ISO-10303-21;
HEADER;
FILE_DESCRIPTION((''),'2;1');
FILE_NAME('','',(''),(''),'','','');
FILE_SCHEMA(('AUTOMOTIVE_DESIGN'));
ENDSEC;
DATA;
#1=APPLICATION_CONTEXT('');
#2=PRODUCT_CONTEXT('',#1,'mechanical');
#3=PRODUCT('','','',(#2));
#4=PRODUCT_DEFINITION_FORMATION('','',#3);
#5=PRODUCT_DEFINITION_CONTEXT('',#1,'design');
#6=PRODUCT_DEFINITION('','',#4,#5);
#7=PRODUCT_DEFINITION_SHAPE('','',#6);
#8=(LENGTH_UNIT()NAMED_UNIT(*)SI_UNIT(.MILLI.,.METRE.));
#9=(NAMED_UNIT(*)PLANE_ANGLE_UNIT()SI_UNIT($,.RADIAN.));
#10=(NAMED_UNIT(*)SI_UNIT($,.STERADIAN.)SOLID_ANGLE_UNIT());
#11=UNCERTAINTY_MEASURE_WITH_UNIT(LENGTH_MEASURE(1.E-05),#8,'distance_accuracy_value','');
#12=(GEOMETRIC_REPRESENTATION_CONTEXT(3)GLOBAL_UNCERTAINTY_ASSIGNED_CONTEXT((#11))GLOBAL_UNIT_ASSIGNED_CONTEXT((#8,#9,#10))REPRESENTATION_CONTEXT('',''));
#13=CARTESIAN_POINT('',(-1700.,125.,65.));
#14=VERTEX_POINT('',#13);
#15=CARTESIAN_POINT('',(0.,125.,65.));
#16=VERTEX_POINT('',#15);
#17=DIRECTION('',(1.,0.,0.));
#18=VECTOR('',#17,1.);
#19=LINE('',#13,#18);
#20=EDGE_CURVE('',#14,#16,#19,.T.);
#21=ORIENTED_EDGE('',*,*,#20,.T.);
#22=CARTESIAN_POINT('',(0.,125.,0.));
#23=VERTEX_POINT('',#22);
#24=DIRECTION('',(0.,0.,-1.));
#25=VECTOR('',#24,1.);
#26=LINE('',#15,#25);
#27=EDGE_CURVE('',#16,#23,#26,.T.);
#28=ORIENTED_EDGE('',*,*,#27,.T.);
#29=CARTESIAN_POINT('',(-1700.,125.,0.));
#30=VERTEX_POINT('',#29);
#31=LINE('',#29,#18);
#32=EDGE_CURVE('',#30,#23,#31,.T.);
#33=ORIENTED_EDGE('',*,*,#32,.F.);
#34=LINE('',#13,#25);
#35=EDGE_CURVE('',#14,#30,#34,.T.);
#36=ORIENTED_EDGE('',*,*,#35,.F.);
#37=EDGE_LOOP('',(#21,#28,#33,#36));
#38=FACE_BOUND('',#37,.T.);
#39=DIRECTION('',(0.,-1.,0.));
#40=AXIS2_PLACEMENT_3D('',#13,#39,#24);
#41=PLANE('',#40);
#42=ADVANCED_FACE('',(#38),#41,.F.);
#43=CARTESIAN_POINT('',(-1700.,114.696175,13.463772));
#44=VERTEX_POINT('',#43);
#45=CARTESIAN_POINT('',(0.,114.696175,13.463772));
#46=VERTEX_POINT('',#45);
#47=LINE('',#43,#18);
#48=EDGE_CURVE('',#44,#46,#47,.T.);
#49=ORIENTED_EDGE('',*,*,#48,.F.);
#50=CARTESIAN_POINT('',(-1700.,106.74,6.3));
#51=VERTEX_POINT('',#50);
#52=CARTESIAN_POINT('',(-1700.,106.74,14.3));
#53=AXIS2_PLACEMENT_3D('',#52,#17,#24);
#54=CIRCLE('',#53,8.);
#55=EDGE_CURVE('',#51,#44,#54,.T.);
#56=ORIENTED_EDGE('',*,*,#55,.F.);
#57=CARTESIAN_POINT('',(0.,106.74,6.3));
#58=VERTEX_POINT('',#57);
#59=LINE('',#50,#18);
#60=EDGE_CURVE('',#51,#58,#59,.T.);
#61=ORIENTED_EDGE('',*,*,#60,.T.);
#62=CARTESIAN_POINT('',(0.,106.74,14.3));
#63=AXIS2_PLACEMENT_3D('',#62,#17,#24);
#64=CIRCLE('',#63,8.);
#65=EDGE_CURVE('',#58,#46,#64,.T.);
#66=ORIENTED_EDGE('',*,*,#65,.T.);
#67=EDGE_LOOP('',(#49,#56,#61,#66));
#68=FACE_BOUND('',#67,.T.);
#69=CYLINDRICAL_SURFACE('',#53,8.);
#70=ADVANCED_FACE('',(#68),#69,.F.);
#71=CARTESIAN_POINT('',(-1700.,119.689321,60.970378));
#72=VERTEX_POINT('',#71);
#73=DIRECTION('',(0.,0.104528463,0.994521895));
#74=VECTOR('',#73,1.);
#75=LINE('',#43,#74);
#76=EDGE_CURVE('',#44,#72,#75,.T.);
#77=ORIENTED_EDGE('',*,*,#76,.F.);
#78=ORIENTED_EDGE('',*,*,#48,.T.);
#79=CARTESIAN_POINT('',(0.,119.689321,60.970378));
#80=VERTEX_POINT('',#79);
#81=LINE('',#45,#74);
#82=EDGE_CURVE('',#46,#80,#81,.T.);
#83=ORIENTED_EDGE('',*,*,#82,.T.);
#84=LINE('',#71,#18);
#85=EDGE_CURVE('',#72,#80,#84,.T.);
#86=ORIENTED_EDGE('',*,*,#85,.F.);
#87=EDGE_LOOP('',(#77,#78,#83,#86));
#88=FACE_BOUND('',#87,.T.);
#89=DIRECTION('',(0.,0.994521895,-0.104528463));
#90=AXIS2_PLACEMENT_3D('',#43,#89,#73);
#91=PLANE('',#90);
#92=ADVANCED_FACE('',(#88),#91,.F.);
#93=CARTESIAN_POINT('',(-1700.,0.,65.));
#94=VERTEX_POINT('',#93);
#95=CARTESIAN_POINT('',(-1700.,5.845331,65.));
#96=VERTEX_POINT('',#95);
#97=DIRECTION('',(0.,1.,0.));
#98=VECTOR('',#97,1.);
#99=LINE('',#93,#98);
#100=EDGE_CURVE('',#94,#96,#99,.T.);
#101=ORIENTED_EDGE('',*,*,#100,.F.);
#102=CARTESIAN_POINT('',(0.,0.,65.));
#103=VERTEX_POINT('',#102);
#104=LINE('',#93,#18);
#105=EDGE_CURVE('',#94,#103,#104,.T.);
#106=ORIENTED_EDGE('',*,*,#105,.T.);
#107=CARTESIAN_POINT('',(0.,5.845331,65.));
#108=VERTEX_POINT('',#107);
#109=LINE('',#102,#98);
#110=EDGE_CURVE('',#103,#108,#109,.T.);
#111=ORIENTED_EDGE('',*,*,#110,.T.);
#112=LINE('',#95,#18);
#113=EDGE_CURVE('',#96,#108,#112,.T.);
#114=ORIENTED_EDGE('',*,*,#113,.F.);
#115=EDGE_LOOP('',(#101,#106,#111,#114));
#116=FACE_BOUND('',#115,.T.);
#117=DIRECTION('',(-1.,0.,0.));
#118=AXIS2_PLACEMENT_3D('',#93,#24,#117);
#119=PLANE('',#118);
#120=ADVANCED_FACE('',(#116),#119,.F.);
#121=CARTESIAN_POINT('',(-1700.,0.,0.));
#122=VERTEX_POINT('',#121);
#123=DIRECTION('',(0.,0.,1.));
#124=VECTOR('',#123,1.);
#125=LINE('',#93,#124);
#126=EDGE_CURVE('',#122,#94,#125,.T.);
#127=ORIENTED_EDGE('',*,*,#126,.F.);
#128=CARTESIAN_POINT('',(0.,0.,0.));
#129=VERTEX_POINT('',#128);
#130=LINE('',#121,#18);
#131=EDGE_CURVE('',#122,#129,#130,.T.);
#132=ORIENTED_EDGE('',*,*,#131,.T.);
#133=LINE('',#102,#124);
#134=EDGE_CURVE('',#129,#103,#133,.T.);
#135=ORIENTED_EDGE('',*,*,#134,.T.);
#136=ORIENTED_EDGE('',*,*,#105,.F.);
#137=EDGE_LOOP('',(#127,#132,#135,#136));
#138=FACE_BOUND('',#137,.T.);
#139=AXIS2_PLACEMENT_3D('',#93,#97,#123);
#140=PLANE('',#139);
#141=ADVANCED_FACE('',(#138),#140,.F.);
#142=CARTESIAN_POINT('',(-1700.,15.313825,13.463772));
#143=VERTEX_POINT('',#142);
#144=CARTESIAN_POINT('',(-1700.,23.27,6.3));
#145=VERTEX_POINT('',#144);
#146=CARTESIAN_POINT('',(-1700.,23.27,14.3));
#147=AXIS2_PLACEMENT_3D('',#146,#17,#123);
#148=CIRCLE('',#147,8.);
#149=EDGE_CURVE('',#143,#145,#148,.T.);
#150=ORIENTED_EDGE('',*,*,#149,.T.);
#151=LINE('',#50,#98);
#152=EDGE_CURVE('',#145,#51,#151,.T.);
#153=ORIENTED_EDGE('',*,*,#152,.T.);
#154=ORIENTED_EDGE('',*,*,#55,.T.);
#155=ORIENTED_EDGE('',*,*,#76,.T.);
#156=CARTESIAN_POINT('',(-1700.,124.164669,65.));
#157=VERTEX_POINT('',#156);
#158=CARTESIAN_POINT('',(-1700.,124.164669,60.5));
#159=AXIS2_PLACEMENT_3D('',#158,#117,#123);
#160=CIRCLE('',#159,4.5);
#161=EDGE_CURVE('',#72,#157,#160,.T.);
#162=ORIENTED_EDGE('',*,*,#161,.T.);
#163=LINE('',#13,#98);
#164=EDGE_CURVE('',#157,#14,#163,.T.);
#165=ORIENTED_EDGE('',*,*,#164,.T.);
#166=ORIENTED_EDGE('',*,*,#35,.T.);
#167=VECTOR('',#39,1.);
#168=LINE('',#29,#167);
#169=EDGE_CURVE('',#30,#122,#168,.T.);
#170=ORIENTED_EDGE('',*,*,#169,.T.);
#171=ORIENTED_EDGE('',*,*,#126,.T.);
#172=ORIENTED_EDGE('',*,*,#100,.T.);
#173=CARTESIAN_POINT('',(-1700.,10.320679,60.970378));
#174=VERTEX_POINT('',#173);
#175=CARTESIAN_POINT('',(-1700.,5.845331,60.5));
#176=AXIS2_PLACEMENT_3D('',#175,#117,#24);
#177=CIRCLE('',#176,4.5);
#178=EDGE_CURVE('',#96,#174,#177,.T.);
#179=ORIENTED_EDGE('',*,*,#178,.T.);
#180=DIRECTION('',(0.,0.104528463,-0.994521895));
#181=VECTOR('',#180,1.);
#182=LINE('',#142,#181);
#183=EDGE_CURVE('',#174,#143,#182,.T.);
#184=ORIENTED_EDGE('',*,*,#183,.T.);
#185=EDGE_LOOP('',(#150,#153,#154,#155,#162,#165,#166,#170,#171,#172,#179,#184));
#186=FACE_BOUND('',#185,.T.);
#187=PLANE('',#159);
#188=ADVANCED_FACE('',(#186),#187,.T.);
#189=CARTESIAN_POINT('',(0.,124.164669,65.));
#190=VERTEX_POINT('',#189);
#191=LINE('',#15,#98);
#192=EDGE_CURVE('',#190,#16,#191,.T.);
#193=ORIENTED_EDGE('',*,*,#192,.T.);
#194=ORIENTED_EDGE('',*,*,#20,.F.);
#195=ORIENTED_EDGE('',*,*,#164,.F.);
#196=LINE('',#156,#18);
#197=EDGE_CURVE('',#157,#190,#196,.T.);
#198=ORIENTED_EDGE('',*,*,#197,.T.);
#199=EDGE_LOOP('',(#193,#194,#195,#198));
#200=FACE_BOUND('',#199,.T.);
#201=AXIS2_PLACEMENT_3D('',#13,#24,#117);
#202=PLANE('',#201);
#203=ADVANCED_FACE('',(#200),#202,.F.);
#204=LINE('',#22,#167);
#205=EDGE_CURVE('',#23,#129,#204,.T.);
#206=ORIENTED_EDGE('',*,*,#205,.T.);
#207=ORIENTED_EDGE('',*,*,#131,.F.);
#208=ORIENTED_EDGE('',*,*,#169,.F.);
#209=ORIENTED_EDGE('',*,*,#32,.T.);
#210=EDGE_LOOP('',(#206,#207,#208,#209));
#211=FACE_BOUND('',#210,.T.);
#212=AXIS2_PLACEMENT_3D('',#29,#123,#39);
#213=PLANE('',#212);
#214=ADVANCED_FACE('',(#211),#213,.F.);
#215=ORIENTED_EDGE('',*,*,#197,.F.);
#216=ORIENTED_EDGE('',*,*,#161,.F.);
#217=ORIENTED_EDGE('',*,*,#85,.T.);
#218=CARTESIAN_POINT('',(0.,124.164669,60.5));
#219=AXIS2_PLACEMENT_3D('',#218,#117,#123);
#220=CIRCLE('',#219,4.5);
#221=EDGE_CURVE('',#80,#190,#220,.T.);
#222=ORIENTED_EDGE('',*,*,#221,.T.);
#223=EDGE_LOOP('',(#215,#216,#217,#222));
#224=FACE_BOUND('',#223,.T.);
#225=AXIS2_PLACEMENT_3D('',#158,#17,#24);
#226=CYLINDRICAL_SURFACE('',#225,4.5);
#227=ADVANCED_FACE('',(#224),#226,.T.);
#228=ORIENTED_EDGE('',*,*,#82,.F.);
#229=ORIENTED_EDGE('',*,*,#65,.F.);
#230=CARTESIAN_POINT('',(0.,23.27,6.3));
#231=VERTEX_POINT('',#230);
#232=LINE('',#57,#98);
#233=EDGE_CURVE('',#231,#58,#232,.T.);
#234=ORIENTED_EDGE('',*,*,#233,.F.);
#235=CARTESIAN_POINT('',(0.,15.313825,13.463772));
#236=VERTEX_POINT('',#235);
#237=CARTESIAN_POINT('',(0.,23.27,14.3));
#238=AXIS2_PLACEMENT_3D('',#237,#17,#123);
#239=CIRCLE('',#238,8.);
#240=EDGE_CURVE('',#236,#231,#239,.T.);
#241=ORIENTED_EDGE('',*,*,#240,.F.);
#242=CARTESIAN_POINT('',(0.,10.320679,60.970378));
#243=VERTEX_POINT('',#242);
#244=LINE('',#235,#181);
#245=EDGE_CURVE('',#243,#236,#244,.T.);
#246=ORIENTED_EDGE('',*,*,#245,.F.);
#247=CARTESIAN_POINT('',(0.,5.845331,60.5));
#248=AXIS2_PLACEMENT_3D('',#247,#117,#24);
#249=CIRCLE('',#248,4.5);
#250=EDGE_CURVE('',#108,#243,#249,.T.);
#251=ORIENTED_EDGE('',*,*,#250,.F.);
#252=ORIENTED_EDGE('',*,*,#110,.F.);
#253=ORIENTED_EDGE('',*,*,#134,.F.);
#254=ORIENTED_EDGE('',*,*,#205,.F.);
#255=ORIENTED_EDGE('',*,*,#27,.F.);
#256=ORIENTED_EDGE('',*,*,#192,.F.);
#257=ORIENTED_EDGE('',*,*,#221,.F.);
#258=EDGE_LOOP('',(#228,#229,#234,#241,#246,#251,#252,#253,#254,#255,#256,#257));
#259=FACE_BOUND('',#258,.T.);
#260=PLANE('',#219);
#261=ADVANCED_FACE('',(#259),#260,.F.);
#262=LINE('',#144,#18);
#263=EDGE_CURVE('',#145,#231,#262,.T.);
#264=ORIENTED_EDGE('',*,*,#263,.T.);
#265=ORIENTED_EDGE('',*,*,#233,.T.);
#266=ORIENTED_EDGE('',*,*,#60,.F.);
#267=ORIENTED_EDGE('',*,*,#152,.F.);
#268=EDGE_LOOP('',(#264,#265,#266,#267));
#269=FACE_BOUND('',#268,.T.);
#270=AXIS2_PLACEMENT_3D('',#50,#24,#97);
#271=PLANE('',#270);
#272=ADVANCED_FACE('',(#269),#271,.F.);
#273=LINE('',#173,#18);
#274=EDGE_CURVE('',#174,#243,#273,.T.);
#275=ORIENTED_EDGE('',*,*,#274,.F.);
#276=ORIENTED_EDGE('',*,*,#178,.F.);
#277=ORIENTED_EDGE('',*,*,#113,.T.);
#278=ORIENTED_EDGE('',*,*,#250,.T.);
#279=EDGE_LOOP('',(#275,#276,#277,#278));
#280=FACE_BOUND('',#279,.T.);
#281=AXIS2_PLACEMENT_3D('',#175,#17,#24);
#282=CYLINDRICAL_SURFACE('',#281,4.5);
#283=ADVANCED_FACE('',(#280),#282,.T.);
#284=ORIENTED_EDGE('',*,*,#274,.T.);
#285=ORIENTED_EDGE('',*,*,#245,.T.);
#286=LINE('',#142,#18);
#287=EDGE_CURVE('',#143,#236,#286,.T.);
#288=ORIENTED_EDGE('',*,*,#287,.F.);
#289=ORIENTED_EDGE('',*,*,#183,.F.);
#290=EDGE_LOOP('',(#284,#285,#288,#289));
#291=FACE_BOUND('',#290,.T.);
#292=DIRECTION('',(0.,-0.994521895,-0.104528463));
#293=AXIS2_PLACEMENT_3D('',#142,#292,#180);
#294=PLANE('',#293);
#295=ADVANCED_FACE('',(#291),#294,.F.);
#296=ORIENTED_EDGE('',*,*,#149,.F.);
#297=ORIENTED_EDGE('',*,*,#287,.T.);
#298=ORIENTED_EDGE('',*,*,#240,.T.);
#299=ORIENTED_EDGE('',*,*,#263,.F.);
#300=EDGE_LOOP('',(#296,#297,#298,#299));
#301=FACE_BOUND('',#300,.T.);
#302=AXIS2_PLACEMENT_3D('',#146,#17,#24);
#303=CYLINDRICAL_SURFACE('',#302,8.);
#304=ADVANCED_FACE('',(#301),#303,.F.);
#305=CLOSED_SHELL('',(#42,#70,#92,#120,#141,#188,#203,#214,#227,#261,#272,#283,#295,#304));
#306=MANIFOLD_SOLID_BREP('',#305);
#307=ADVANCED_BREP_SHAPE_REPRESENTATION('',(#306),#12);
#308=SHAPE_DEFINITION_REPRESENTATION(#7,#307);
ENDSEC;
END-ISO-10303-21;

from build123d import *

# Parameters (mm, degrees)
C_CHANNEL_120_X_12_1_DEPTH = 1700


with BuildPart() as part:
    # Sketch12 → C channel 120 X 12(1) (new body)
    with BuildSketch(Plane.ZY):
        with BuildLine():
            Line((65, 125), (0, 125))
            Line((0, 125), (0, 0))
            Line((0, 0), (65, 0))
            Line((65, 0), (65, 5.845330836))
            ThreePointArc((65, 5.845330836), (63.844151715, 8.856418565), (60.970378085, 10.320679365))
            Line((60.970378085, 10.320679365), (13.463772294, 15.313824837))
            ThreePointArc((13.463772294, 15.313824837), (8.354841396, 17.916955149), (6.3, 23.27))
            Line((6.3, 23.27), (6.3, 106.74))
            ThreePointArc((6.3, 106.74), (8.354841396, 112.093044851), (13.463772294, 114.696175163))
            Line((13.463772294, 114.696175163), (60.970378085, 119.689320635))
            ThreePointArc((60.970378085, 119.689320635), (63.844151715, 121.153581435), (65, 124.164669164))
            Line((65, 124.164669164), (65, 125))
        make_face()
    extrude(amount=C_CHANNEL_120_X_12_1_DEPTH)


solid = part.part
